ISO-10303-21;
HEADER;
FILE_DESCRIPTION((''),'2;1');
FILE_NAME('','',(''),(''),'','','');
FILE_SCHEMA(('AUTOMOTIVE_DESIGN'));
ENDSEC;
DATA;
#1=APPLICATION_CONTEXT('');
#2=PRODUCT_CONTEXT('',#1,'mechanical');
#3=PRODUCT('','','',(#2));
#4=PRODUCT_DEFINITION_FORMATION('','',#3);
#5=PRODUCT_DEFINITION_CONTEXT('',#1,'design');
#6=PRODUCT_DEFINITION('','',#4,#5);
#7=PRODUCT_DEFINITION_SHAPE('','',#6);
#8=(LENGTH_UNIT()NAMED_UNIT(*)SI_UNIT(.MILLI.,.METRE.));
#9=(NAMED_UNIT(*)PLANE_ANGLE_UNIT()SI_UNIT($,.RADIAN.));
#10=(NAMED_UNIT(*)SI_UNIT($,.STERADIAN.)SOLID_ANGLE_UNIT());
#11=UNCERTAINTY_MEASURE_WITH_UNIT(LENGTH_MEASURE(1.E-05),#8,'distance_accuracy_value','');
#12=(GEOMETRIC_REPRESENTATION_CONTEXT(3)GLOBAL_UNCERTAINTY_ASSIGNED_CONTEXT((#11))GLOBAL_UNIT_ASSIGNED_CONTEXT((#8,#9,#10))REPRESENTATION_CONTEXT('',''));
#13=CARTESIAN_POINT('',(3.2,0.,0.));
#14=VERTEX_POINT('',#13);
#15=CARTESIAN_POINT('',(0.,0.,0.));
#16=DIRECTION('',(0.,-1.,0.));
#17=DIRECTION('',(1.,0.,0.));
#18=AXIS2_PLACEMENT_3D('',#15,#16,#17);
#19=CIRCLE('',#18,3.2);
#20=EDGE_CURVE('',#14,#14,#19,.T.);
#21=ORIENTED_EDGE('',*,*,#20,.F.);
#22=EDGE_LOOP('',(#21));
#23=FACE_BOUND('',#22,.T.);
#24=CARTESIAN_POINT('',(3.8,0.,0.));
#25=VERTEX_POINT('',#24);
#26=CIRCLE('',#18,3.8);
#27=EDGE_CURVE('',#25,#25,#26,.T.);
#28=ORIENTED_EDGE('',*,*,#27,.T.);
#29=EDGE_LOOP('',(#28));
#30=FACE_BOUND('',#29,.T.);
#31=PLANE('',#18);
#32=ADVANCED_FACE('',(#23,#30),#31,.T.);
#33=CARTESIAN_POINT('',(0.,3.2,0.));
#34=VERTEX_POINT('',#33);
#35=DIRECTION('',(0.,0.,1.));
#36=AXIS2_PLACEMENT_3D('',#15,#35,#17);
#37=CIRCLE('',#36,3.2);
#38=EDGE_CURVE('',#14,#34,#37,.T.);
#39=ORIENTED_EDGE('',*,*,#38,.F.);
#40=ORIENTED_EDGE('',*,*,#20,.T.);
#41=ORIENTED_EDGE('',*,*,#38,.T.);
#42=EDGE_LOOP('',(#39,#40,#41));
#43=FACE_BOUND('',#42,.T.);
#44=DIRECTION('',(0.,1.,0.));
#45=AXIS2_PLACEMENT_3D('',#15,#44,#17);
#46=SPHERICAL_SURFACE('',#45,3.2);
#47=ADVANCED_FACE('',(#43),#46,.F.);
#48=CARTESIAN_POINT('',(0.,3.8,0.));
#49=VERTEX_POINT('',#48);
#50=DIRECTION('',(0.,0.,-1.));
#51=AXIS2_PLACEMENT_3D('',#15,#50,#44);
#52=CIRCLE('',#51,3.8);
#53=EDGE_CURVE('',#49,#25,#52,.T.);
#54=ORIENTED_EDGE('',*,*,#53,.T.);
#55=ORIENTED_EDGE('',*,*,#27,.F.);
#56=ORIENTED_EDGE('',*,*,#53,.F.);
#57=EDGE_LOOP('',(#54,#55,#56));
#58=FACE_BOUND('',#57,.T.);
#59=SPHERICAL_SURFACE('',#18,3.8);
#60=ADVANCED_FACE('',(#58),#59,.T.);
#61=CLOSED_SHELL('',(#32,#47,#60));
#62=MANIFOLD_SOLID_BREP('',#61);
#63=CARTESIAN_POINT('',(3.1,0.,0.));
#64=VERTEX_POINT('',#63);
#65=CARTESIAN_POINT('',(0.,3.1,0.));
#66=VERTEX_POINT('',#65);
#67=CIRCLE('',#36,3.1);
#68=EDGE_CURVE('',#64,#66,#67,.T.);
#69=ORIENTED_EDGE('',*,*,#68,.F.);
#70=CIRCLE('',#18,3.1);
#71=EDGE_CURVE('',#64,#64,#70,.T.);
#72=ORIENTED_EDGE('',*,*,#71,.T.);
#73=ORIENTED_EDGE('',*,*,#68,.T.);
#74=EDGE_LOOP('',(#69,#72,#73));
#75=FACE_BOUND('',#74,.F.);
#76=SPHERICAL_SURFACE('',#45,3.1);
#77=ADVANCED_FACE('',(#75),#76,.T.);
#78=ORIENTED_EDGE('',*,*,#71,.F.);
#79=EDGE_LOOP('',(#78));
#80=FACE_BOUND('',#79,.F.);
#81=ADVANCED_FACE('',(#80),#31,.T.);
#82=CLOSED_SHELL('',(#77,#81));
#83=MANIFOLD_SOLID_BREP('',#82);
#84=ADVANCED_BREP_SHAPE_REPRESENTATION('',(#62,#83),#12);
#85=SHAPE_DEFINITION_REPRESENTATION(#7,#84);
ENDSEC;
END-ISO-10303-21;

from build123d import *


with BuildPart() as part:
    # Sketch1 → Revolve1 (revolve)
    with BuildSketch(Plane.XY):
        with BuildLine():
            Line((0, 3.2), (0, 3.8))
            ThreePointArc((0, 3.8), (2.687005769, 2.687005769), (3.8, 0))
            Line((3.8, 0), (3.2, 0))
            ThreePointArc((3.2, 0), (2.2627417, 2.2627417), (0, 3.2))
        make_face()
    revolve(axis=Axis((0, 3.1, 0), (0, -1, 0)))


with BuildPart() as body_2:
    # Sketch2 → Revolve2 (revolve)
    with BuildSketch(Plane.XY):
        with BuildLine():
            Line((0, 3.1), (0, 0))
            Line((0, 0), (3.1, 0))
            ThreePointArc((3.1, 0), (2.192031022, 2.192031022), (0, 3.1))
        make_face()
    revolve(axis=Axis((0, 3.1, 0), (0, -1, 0)))


solid = Compound([part.part, body_2.part])
